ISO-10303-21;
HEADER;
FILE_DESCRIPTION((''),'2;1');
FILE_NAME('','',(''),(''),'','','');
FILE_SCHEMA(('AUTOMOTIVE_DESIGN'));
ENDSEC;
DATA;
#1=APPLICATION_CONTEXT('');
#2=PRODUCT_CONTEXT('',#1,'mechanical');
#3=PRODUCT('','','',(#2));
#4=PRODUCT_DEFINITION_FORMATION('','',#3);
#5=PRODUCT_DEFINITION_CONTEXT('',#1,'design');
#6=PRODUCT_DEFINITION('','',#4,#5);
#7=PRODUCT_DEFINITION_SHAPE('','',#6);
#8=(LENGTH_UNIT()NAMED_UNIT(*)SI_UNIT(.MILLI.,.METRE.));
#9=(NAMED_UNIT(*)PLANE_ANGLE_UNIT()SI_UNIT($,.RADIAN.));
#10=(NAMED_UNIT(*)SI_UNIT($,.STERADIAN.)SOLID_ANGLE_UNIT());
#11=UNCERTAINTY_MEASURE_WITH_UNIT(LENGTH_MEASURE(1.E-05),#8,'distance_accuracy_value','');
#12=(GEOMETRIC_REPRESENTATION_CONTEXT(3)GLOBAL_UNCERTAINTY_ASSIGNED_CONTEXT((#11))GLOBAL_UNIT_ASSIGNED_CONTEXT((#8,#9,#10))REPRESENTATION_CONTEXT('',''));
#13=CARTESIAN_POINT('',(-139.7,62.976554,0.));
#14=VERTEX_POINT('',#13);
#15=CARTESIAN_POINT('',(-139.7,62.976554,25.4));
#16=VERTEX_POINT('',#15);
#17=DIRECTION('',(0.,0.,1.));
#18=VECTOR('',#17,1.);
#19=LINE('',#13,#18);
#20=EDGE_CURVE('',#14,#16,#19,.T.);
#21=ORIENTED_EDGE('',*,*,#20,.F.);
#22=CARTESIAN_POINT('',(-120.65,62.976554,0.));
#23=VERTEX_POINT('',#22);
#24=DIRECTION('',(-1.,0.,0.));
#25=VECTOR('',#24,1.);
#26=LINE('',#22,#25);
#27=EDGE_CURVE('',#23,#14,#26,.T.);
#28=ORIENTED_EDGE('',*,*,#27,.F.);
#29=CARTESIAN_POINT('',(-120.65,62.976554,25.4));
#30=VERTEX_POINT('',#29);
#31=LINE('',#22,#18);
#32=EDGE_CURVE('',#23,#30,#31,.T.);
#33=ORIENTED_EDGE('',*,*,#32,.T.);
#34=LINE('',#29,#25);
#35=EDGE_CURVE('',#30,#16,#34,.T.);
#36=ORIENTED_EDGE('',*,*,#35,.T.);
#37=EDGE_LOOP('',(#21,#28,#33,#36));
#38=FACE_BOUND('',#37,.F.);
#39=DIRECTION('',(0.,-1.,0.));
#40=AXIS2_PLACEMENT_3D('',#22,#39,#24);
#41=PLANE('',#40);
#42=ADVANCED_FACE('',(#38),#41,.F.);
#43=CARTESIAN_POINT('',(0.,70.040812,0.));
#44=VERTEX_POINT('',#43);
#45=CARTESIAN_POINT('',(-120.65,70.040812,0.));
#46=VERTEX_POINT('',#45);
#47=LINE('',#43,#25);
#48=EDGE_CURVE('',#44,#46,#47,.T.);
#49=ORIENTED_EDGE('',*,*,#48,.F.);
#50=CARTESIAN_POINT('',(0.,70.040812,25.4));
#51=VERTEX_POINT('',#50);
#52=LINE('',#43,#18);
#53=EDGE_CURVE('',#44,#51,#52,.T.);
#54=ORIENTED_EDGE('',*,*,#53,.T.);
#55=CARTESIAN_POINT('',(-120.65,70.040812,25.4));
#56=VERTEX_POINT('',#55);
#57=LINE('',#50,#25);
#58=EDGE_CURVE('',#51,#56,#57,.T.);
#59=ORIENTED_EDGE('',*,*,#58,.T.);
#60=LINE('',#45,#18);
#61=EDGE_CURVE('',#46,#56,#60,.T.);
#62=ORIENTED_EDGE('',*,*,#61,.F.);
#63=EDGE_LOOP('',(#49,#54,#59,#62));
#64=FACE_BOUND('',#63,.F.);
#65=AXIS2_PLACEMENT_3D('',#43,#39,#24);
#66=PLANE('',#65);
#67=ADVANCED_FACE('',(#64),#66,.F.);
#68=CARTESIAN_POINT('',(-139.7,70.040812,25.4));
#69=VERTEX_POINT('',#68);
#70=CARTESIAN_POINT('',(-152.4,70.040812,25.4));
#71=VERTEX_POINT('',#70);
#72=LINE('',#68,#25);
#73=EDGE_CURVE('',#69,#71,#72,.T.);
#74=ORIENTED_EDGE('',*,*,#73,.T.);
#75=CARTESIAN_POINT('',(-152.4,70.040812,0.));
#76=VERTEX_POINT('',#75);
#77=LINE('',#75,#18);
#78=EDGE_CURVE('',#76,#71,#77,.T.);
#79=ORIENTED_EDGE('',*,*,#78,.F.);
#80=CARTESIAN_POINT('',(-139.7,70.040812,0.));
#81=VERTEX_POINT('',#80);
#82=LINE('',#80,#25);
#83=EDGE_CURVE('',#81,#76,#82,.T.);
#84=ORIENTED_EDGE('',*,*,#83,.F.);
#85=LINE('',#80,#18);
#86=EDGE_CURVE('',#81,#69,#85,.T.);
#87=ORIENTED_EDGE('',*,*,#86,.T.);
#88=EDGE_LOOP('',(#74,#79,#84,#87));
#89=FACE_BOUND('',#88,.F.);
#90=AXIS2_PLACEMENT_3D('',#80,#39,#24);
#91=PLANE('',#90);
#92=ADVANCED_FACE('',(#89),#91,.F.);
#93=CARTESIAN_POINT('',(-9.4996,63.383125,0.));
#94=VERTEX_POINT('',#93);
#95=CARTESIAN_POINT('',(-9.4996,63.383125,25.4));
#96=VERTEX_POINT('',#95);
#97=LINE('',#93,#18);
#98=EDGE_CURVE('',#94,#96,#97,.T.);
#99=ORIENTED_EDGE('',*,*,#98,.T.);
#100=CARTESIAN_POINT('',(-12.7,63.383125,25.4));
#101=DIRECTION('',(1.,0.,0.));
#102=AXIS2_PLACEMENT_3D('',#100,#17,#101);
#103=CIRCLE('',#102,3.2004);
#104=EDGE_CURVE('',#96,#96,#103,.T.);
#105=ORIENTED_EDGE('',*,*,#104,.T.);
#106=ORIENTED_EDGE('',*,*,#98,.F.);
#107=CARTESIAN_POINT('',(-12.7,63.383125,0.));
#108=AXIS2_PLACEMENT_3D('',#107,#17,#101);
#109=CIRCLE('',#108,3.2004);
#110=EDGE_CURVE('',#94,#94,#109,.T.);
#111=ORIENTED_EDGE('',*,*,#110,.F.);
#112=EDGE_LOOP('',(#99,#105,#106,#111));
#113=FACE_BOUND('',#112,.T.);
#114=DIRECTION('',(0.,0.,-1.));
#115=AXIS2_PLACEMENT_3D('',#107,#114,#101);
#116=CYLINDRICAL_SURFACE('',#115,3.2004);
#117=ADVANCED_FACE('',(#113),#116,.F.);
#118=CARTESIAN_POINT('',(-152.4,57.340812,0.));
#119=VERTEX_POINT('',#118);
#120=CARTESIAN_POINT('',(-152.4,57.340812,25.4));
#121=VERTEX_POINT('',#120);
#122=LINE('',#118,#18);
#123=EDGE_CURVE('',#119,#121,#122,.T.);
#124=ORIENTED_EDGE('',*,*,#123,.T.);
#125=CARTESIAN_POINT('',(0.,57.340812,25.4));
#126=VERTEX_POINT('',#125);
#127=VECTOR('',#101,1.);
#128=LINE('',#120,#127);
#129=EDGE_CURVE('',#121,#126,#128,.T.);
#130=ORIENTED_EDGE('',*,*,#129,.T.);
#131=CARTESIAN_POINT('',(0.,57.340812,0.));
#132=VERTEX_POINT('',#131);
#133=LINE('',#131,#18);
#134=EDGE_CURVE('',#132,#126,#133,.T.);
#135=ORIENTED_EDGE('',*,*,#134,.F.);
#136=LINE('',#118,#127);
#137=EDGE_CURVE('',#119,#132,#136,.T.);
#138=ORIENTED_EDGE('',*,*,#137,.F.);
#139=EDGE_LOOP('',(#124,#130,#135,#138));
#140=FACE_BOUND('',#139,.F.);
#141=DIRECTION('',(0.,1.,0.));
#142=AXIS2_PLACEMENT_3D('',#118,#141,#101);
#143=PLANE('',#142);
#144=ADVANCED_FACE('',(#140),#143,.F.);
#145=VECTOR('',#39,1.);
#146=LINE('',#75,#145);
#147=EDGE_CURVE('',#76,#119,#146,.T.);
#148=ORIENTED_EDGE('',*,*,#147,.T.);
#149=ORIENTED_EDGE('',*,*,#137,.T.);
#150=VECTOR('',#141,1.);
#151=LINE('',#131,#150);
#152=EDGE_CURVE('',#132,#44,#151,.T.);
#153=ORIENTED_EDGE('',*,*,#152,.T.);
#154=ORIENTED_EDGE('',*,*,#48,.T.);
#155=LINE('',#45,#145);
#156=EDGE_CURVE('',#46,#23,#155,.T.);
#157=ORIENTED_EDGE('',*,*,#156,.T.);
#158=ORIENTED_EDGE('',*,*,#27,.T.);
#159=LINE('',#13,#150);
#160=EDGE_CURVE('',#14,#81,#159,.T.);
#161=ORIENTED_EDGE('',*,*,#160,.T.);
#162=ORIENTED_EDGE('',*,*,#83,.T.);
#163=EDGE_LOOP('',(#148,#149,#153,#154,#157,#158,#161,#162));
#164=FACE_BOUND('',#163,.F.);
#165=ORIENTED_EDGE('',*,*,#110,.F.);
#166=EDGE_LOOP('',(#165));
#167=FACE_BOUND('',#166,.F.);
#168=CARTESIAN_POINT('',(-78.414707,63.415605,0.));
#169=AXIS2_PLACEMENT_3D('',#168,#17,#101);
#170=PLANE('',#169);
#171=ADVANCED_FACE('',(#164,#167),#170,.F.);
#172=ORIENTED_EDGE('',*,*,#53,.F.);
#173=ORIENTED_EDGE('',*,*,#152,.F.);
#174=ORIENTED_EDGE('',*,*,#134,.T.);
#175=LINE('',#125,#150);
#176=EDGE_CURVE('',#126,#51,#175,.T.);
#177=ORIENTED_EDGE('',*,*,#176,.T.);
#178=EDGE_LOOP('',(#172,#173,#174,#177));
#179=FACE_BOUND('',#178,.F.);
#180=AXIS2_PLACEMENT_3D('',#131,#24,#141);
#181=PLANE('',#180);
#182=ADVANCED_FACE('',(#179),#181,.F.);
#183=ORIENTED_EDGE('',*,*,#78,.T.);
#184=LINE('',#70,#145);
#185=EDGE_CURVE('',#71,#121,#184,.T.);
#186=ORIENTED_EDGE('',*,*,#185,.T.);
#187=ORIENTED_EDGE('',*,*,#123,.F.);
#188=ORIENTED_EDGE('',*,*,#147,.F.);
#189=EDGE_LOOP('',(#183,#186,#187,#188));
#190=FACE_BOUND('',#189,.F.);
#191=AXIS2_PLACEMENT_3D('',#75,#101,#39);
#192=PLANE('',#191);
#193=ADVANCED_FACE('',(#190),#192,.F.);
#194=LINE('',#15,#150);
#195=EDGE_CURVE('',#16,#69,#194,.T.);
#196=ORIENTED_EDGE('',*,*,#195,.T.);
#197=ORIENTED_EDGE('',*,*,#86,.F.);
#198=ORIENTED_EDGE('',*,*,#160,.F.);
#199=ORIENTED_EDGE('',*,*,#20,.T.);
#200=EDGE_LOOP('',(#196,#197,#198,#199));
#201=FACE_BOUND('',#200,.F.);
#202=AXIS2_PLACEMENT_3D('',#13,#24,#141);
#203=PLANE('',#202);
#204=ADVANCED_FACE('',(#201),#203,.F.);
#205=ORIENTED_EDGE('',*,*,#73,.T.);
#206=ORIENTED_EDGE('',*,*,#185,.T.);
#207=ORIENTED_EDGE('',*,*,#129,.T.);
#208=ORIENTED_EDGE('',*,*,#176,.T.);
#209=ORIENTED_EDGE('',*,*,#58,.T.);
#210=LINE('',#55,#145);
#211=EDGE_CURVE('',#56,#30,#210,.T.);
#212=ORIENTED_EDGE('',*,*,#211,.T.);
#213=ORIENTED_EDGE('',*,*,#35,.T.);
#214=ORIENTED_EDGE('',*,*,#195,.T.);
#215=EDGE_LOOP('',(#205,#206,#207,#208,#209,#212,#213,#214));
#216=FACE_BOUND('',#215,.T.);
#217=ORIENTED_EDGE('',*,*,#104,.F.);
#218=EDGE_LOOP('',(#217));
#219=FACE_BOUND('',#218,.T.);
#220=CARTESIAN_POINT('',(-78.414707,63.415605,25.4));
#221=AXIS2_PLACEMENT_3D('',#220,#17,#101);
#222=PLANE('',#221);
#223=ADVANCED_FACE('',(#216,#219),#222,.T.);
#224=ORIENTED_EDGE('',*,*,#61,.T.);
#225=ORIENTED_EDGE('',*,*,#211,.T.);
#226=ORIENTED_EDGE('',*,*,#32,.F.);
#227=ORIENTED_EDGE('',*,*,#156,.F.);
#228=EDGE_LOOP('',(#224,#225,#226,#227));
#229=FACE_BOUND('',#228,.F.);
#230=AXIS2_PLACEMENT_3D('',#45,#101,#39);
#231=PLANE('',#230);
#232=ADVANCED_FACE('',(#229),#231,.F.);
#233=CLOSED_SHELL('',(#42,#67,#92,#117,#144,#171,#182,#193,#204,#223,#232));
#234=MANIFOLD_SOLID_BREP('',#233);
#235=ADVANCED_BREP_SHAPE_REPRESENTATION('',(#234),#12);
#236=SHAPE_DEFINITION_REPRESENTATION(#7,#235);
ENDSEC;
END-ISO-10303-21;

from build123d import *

# Parameters (mm, degrees)
F2_R     = 3.2004
F3_DEPTH = 25.4


with BuildPart() as f3:
    # F2 (on face) → F3 (new body)
    with BuildSketch(Plane.XY):
        Polygon((-139.7, 62.976554), (-139.7, 70.040812), (-152.4, 70.040812), (-152.4, 57.340812), (0, 57.340812), (0, 70.040812), (-120.65, 70.040812), (-120.65, 62.976554), align=None)
        with Locations((-12.7, 63.383125)):
            Circle(F2_R, mode=Mode.SUBTRACT)
    extrude(amount=F3_DEPTH)


solid = f3.part
